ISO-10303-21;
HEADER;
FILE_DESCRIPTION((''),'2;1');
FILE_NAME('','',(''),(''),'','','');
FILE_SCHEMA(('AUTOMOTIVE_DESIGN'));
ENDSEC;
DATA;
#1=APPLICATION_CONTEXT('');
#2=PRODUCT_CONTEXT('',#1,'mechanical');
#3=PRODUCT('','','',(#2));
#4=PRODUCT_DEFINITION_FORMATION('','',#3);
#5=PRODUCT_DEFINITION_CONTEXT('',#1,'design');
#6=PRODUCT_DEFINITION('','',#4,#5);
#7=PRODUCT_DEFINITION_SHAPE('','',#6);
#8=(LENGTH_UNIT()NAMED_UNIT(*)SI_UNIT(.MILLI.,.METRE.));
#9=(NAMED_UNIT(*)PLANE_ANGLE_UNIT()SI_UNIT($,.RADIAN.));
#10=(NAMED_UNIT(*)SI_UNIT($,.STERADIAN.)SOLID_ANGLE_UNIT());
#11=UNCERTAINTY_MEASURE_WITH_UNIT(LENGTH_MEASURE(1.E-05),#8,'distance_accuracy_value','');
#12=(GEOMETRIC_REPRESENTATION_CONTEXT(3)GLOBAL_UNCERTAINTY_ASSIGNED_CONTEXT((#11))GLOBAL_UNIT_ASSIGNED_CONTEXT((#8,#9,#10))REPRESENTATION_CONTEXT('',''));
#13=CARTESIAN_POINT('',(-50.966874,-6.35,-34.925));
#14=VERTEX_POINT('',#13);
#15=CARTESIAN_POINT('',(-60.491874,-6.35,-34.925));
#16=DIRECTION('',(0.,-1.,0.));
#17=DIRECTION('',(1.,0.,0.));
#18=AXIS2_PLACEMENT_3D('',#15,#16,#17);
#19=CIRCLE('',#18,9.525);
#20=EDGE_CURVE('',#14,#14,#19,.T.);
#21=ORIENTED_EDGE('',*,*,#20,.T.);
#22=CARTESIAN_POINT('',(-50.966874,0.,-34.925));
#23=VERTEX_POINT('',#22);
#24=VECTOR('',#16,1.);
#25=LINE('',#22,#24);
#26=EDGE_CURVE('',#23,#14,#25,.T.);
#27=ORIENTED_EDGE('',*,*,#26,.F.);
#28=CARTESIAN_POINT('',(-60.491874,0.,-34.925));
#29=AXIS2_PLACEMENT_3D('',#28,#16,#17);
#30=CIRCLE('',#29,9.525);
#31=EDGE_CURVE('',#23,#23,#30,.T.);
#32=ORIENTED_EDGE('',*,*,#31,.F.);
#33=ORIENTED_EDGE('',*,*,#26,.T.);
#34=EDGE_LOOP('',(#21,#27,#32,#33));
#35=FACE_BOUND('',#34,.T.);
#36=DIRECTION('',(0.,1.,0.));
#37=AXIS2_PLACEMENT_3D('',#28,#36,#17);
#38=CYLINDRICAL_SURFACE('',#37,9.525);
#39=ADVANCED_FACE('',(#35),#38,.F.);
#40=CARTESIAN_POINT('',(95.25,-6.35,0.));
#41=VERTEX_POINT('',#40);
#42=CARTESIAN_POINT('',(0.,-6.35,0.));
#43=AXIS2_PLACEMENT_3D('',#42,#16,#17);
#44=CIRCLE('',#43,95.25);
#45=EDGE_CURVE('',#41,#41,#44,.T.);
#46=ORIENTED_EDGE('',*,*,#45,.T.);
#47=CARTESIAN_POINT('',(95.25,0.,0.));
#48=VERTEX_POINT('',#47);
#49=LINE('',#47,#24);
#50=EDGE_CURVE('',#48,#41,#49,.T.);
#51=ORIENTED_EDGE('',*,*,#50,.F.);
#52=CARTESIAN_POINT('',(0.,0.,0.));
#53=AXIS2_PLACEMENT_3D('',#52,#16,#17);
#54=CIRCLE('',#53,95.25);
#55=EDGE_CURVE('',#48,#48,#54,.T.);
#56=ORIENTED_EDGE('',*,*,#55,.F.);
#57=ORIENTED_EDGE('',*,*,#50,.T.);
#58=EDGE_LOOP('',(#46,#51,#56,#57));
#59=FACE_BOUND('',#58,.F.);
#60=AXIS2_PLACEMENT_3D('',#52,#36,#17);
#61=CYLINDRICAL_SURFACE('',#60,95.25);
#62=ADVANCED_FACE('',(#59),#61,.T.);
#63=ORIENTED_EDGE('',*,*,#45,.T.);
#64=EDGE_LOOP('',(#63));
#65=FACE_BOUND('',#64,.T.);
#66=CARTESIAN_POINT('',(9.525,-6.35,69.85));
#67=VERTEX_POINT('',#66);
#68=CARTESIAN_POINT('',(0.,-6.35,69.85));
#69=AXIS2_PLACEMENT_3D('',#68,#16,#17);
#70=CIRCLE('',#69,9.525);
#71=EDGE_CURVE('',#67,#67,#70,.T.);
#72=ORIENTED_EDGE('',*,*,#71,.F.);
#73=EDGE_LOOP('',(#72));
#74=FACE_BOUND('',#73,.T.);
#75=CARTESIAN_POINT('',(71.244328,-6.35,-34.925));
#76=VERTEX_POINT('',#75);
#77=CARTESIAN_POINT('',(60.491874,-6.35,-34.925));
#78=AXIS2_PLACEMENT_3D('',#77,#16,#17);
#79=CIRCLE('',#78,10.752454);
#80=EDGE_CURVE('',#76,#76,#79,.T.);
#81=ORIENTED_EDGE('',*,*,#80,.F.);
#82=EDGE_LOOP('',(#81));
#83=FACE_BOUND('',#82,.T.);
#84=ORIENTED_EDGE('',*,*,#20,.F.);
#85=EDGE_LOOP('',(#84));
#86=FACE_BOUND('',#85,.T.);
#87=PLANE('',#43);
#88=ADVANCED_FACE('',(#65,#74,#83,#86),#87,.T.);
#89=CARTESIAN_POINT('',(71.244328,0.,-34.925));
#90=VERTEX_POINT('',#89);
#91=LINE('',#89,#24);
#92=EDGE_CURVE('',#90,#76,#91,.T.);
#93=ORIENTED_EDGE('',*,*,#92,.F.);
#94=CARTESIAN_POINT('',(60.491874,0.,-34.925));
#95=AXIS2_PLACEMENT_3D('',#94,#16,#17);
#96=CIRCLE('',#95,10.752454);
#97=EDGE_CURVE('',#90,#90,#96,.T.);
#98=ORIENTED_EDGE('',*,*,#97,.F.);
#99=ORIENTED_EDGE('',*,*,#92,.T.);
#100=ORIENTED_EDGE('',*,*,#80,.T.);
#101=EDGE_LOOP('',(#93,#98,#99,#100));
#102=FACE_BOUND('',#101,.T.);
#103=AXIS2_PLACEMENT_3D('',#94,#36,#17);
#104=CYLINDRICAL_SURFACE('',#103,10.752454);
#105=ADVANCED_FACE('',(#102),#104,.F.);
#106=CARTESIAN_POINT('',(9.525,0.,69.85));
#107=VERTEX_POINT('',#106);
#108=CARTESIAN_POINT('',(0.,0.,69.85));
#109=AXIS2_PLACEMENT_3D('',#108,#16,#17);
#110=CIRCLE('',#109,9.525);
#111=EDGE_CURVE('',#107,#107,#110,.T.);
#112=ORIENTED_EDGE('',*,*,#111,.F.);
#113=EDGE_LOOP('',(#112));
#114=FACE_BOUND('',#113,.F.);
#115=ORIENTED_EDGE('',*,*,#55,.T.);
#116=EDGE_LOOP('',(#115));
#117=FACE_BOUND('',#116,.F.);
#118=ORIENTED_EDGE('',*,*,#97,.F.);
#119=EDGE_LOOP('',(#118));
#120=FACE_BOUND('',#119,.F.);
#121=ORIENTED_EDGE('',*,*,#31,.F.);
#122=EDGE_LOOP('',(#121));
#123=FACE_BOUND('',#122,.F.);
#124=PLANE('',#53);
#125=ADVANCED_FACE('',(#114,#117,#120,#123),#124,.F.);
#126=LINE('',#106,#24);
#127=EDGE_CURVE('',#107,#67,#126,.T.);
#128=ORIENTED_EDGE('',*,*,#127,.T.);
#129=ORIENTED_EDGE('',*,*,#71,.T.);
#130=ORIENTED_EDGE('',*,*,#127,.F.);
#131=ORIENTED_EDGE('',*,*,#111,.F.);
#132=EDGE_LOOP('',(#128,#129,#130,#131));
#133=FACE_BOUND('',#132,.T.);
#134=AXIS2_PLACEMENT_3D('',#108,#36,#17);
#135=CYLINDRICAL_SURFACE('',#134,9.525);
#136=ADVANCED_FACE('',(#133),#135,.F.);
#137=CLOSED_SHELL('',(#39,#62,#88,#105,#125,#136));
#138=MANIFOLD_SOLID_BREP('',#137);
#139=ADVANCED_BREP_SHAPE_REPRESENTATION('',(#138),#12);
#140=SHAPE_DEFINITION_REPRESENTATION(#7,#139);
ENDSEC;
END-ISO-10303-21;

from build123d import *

# Parameters (mm, degrees)
F0_R     = 95.25
F1_DEPTH = 6.35
F2_R     = 9.525
F2_R_2   = 10.752454
F3_DEPTH = 6.35


with BuildPart() as f1:
    # F0 (on Front) → F1 (new body)
    with BuildSketch(Plane.XZ):
        Circle(F0_R)
    extrude(amount=F1_DEPTH)

    # F2 (on Front) → F3 (cut, through all)
    with BuildSketch(Plane.XZ):
        with Locations((0, 69.85)):
            Circle(F2_R)
        with Locations((-60.491874, -34.925)):
            Circle(F2_R)
        with Locations((60.491874, -34.925)):
            Circle(F2_R_2)
    extrude(amount=F3_DEPTH, mode=Mode.SUBTRACT)


solid = f1.part
